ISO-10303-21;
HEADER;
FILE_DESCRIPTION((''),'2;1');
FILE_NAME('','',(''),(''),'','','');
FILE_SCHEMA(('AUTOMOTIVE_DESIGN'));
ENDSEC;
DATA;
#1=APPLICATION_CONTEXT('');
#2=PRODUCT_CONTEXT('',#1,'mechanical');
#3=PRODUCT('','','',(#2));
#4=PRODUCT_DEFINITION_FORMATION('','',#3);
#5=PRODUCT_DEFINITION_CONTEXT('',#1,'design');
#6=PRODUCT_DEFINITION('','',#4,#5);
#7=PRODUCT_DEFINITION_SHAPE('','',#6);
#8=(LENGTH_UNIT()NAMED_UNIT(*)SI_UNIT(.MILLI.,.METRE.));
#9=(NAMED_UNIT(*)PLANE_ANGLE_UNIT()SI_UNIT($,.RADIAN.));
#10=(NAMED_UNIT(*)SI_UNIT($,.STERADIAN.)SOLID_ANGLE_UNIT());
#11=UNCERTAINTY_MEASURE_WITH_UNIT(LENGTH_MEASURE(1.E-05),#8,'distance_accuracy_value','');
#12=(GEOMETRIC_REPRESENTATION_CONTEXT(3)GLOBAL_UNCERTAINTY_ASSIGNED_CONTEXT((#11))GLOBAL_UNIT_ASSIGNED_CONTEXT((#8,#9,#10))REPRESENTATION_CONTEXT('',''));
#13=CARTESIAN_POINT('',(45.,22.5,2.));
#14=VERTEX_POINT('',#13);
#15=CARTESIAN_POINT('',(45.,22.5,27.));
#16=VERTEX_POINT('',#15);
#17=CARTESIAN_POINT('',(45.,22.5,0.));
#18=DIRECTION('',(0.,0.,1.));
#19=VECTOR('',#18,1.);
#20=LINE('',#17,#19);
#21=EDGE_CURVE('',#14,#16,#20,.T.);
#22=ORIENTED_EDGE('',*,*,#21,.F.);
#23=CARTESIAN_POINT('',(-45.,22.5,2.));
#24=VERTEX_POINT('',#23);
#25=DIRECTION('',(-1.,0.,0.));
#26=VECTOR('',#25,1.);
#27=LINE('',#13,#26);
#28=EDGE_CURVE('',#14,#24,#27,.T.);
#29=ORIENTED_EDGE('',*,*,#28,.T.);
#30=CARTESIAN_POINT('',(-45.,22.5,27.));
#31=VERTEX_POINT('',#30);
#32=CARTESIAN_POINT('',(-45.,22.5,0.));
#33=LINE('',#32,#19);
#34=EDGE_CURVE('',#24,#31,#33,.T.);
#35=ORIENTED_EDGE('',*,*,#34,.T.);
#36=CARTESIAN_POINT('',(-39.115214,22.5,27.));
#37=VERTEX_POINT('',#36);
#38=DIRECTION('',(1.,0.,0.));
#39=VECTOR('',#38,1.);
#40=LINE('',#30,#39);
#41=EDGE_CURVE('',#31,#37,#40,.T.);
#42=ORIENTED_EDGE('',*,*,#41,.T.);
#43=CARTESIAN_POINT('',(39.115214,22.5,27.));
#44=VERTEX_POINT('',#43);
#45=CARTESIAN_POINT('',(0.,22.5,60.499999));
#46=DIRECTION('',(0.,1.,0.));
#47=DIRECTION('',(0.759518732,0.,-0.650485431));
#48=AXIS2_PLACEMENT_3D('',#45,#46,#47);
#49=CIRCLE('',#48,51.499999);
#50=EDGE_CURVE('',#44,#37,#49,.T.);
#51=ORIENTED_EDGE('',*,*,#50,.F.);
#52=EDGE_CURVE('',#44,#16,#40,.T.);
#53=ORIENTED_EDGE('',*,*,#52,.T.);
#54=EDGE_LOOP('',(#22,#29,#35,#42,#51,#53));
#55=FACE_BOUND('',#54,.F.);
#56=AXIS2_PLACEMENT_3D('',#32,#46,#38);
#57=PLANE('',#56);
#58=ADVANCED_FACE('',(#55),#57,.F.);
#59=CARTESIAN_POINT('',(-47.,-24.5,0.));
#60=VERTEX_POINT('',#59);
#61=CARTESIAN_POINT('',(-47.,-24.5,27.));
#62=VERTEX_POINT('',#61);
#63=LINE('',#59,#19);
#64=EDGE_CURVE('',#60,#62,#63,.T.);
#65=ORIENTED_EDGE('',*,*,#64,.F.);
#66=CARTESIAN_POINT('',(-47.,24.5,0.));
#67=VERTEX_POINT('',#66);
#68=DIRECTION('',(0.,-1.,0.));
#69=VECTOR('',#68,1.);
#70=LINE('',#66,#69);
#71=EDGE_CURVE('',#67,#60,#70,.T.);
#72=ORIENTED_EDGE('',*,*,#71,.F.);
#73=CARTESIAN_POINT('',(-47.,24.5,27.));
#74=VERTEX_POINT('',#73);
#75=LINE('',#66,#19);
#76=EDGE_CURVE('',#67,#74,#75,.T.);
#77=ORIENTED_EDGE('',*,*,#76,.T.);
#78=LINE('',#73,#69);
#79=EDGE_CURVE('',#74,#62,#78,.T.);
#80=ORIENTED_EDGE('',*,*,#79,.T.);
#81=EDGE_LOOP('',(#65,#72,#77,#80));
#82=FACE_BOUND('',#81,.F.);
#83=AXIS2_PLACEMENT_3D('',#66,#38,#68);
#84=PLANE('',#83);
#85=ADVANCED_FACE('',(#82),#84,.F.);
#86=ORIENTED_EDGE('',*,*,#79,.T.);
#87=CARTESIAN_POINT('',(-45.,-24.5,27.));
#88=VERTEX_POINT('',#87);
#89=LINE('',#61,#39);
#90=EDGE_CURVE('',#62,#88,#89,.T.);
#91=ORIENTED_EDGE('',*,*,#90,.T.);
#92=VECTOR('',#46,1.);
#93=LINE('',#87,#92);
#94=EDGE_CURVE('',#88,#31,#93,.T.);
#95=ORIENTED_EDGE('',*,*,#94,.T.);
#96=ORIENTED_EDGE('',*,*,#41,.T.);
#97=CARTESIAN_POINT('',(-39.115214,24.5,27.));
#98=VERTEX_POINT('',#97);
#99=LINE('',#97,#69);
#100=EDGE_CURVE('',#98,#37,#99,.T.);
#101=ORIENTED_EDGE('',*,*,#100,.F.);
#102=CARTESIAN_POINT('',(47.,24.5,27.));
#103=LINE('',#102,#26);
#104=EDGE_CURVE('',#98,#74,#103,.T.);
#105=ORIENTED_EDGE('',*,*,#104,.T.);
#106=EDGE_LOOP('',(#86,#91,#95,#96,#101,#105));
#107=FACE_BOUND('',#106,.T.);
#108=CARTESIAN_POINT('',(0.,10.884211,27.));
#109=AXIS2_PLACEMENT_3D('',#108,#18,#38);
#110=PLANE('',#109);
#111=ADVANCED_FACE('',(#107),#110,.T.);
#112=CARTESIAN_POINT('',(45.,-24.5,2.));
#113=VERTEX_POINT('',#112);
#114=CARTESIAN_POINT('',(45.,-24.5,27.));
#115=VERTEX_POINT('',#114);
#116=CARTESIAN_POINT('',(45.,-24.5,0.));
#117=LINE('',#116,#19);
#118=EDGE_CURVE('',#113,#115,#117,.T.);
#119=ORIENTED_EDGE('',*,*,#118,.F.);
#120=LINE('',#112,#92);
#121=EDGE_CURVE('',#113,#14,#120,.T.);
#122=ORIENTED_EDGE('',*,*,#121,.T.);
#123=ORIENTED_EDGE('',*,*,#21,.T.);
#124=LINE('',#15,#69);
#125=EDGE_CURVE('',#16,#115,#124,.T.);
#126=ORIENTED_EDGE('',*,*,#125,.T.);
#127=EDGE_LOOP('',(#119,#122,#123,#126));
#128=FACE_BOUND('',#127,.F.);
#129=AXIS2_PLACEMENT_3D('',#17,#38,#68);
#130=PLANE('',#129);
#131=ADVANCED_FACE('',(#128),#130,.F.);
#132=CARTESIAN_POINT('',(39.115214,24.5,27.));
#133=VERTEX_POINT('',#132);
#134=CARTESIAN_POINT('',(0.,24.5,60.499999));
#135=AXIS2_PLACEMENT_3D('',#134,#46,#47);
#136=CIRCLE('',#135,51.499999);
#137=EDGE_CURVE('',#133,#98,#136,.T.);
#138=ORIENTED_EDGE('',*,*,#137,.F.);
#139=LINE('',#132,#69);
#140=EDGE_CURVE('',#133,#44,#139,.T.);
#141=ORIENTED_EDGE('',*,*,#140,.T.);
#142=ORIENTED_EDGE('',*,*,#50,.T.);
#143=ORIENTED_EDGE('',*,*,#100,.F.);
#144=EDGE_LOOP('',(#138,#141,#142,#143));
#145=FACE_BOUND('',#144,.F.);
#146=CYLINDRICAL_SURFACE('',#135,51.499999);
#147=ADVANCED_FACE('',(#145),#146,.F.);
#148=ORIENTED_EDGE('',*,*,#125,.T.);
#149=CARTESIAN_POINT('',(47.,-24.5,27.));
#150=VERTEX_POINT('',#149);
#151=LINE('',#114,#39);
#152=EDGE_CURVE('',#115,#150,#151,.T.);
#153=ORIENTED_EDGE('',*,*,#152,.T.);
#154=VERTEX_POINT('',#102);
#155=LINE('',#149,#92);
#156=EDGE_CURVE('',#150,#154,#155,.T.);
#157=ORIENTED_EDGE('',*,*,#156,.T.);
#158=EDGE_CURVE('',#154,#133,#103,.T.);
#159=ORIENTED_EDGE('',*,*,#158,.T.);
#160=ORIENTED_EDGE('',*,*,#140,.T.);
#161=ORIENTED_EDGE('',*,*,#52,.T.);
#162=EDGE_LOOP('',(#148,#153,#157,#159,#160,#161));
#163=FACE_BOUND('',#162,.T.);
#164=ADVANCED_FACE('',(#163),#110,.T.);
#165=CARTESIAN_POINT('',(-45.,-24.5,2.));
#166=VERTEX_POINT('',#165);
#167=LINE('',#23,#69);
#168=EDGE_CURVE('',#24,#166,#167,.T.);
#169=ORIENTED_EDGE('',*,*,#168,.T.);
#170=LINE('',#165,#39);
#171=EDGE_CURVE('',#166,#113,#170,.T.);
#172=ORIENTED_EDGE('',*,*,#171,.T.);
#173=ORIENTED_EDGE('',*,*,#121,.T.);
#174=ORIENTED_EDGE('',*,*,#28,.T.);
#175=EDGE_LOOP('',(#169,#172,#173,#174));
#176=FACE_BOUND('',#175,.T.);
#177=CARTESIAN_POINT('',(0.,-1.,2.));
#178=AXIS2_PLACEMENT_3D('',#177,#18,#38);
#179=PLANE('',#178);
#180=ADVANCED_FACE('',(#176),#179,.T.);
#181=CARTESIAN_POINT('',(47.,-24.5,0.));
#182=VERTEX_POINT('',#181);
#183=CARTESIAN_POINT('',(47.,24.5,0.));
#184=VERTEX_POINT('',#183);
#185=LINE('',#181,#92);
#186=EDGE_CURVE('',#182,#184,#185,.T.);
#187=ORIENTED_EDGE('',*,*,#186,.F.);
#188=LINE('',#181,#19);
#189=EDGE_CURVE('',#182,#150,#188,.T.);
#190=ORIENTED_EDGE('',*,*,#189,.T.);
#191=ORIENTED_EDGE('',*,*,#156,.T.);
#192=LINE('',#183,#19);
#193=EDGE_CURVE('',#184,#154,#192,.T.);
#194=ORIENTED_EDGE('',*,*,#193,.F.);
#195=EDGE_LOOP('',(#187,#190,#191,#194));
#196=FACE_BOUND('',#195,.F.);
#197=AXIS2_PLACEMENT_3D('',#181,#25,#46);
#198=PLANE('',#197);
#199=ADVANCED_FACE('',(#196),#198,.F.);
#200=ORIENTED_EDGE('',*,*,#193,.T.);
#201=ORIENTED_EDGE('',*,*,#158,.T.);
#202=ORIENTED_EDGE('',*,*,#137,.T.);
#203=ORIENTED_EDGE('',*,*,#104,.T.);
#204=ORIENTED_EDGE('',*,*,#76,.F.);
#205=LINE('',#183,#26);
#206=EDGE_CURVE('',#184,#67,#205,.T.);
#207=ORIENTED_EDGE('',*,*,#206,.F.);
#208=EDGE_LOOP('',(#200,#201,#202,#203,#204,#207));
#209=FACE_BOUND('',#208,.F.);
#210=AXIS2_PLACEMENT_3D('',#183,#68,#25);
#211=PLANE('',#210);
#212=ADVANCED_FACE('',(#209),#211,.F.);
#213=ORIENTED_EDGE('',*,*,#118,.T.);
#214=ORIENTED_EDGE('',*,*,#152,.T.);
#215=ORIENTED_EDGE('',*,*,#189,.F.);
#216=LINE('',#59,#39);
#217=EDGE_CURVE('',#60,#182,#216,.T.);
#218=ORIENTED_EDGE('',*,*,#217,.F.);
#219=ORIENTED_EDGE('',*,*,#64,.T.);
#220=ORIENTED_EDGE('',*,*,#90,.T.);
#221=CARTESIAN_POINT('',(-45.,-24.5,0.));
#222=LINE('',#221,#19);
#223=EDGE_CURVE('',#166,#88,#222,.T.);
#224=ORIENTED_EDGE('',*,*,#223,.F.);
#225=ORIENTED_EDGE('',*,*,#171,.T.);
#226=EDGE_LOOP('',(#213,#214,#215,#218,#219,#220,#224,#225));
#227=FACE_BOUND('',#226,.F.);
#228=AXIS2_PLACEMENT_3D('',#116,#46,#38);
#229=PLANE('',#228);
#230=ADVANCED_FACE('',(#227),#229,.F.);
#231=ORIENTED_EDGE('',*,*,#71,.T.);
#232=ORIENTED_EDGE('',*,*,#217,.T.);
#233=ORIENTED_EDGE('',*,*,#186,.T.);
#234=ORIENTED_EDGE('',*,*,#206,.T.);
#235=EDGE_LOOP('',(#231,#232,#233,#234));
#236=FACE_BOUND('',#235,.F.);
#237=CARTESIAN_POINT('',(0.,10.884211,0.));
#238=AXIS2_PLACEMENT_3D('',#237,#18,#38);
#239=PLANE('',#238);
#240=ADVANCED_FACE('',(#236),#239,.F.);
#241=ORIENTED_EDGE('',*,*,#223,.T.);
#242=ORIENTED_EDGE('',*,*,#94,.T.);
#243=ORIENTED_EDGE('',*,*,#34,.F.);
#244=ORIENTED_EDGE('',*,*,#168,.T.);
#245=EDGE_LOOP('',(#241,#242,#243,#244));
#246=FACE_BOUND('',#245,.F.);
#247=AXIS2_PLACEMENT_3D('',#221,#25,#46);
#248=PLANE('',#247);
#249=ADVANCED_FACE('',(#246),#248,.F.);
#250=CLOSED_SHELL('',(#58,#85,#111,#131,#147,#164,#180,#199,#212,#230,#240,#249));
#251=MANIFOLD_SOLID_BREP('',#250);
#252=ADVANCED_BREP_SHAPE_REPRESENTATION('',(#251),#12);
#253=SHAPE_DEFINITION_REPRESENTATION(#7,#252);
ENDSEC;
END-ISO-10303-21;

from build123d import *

# Parameters (mm, degrees)
F1_DEPTH = 2
F2_DEPTH = 27
F4_DEPTH = 25


with BuildPart() as f1:
    # F0 (on Top) → F1 (new body)
    with BuildSketch(Plane.XY):
        Polygon((-45, -24.5), (45, -24.5), (45, -22.5), (45, 22.5), (-45, 22.5), (-45, -22.5), align=None)
    extrude(amount=F1_DEPTH)

    # F0 (on Top) → F2 (join)
    with BuildSketch(Plane.XY):
        Polygon((47, -24.5), (47, 24.5), (-47, 24.5), (-47, -24.5), (-45, -24.5), (-45, -22.5), (-45, 22.5), (45, 22.5), (45, -22.5), (45, -24.5), align=None)
    extrude(amount=F2_DEPTH)

    # F3 (on face) → F4 (cut)
    with BuildSketch(Plane(origin=(0, 24.5, 0), x_dir=(-1, 0, 0), z_dir=(0, 1, 0))):
        with BuildLine():
            Line((39.115214, 27), (-39.115214, 27))
            ThreePointArc((-39.115214, 27), (0, 9), (39.115214, 27))
        make_face()
    extrude(amount=-F4_DEPTH, mode=Mode.SUBTRACT)


solid = f1.part
